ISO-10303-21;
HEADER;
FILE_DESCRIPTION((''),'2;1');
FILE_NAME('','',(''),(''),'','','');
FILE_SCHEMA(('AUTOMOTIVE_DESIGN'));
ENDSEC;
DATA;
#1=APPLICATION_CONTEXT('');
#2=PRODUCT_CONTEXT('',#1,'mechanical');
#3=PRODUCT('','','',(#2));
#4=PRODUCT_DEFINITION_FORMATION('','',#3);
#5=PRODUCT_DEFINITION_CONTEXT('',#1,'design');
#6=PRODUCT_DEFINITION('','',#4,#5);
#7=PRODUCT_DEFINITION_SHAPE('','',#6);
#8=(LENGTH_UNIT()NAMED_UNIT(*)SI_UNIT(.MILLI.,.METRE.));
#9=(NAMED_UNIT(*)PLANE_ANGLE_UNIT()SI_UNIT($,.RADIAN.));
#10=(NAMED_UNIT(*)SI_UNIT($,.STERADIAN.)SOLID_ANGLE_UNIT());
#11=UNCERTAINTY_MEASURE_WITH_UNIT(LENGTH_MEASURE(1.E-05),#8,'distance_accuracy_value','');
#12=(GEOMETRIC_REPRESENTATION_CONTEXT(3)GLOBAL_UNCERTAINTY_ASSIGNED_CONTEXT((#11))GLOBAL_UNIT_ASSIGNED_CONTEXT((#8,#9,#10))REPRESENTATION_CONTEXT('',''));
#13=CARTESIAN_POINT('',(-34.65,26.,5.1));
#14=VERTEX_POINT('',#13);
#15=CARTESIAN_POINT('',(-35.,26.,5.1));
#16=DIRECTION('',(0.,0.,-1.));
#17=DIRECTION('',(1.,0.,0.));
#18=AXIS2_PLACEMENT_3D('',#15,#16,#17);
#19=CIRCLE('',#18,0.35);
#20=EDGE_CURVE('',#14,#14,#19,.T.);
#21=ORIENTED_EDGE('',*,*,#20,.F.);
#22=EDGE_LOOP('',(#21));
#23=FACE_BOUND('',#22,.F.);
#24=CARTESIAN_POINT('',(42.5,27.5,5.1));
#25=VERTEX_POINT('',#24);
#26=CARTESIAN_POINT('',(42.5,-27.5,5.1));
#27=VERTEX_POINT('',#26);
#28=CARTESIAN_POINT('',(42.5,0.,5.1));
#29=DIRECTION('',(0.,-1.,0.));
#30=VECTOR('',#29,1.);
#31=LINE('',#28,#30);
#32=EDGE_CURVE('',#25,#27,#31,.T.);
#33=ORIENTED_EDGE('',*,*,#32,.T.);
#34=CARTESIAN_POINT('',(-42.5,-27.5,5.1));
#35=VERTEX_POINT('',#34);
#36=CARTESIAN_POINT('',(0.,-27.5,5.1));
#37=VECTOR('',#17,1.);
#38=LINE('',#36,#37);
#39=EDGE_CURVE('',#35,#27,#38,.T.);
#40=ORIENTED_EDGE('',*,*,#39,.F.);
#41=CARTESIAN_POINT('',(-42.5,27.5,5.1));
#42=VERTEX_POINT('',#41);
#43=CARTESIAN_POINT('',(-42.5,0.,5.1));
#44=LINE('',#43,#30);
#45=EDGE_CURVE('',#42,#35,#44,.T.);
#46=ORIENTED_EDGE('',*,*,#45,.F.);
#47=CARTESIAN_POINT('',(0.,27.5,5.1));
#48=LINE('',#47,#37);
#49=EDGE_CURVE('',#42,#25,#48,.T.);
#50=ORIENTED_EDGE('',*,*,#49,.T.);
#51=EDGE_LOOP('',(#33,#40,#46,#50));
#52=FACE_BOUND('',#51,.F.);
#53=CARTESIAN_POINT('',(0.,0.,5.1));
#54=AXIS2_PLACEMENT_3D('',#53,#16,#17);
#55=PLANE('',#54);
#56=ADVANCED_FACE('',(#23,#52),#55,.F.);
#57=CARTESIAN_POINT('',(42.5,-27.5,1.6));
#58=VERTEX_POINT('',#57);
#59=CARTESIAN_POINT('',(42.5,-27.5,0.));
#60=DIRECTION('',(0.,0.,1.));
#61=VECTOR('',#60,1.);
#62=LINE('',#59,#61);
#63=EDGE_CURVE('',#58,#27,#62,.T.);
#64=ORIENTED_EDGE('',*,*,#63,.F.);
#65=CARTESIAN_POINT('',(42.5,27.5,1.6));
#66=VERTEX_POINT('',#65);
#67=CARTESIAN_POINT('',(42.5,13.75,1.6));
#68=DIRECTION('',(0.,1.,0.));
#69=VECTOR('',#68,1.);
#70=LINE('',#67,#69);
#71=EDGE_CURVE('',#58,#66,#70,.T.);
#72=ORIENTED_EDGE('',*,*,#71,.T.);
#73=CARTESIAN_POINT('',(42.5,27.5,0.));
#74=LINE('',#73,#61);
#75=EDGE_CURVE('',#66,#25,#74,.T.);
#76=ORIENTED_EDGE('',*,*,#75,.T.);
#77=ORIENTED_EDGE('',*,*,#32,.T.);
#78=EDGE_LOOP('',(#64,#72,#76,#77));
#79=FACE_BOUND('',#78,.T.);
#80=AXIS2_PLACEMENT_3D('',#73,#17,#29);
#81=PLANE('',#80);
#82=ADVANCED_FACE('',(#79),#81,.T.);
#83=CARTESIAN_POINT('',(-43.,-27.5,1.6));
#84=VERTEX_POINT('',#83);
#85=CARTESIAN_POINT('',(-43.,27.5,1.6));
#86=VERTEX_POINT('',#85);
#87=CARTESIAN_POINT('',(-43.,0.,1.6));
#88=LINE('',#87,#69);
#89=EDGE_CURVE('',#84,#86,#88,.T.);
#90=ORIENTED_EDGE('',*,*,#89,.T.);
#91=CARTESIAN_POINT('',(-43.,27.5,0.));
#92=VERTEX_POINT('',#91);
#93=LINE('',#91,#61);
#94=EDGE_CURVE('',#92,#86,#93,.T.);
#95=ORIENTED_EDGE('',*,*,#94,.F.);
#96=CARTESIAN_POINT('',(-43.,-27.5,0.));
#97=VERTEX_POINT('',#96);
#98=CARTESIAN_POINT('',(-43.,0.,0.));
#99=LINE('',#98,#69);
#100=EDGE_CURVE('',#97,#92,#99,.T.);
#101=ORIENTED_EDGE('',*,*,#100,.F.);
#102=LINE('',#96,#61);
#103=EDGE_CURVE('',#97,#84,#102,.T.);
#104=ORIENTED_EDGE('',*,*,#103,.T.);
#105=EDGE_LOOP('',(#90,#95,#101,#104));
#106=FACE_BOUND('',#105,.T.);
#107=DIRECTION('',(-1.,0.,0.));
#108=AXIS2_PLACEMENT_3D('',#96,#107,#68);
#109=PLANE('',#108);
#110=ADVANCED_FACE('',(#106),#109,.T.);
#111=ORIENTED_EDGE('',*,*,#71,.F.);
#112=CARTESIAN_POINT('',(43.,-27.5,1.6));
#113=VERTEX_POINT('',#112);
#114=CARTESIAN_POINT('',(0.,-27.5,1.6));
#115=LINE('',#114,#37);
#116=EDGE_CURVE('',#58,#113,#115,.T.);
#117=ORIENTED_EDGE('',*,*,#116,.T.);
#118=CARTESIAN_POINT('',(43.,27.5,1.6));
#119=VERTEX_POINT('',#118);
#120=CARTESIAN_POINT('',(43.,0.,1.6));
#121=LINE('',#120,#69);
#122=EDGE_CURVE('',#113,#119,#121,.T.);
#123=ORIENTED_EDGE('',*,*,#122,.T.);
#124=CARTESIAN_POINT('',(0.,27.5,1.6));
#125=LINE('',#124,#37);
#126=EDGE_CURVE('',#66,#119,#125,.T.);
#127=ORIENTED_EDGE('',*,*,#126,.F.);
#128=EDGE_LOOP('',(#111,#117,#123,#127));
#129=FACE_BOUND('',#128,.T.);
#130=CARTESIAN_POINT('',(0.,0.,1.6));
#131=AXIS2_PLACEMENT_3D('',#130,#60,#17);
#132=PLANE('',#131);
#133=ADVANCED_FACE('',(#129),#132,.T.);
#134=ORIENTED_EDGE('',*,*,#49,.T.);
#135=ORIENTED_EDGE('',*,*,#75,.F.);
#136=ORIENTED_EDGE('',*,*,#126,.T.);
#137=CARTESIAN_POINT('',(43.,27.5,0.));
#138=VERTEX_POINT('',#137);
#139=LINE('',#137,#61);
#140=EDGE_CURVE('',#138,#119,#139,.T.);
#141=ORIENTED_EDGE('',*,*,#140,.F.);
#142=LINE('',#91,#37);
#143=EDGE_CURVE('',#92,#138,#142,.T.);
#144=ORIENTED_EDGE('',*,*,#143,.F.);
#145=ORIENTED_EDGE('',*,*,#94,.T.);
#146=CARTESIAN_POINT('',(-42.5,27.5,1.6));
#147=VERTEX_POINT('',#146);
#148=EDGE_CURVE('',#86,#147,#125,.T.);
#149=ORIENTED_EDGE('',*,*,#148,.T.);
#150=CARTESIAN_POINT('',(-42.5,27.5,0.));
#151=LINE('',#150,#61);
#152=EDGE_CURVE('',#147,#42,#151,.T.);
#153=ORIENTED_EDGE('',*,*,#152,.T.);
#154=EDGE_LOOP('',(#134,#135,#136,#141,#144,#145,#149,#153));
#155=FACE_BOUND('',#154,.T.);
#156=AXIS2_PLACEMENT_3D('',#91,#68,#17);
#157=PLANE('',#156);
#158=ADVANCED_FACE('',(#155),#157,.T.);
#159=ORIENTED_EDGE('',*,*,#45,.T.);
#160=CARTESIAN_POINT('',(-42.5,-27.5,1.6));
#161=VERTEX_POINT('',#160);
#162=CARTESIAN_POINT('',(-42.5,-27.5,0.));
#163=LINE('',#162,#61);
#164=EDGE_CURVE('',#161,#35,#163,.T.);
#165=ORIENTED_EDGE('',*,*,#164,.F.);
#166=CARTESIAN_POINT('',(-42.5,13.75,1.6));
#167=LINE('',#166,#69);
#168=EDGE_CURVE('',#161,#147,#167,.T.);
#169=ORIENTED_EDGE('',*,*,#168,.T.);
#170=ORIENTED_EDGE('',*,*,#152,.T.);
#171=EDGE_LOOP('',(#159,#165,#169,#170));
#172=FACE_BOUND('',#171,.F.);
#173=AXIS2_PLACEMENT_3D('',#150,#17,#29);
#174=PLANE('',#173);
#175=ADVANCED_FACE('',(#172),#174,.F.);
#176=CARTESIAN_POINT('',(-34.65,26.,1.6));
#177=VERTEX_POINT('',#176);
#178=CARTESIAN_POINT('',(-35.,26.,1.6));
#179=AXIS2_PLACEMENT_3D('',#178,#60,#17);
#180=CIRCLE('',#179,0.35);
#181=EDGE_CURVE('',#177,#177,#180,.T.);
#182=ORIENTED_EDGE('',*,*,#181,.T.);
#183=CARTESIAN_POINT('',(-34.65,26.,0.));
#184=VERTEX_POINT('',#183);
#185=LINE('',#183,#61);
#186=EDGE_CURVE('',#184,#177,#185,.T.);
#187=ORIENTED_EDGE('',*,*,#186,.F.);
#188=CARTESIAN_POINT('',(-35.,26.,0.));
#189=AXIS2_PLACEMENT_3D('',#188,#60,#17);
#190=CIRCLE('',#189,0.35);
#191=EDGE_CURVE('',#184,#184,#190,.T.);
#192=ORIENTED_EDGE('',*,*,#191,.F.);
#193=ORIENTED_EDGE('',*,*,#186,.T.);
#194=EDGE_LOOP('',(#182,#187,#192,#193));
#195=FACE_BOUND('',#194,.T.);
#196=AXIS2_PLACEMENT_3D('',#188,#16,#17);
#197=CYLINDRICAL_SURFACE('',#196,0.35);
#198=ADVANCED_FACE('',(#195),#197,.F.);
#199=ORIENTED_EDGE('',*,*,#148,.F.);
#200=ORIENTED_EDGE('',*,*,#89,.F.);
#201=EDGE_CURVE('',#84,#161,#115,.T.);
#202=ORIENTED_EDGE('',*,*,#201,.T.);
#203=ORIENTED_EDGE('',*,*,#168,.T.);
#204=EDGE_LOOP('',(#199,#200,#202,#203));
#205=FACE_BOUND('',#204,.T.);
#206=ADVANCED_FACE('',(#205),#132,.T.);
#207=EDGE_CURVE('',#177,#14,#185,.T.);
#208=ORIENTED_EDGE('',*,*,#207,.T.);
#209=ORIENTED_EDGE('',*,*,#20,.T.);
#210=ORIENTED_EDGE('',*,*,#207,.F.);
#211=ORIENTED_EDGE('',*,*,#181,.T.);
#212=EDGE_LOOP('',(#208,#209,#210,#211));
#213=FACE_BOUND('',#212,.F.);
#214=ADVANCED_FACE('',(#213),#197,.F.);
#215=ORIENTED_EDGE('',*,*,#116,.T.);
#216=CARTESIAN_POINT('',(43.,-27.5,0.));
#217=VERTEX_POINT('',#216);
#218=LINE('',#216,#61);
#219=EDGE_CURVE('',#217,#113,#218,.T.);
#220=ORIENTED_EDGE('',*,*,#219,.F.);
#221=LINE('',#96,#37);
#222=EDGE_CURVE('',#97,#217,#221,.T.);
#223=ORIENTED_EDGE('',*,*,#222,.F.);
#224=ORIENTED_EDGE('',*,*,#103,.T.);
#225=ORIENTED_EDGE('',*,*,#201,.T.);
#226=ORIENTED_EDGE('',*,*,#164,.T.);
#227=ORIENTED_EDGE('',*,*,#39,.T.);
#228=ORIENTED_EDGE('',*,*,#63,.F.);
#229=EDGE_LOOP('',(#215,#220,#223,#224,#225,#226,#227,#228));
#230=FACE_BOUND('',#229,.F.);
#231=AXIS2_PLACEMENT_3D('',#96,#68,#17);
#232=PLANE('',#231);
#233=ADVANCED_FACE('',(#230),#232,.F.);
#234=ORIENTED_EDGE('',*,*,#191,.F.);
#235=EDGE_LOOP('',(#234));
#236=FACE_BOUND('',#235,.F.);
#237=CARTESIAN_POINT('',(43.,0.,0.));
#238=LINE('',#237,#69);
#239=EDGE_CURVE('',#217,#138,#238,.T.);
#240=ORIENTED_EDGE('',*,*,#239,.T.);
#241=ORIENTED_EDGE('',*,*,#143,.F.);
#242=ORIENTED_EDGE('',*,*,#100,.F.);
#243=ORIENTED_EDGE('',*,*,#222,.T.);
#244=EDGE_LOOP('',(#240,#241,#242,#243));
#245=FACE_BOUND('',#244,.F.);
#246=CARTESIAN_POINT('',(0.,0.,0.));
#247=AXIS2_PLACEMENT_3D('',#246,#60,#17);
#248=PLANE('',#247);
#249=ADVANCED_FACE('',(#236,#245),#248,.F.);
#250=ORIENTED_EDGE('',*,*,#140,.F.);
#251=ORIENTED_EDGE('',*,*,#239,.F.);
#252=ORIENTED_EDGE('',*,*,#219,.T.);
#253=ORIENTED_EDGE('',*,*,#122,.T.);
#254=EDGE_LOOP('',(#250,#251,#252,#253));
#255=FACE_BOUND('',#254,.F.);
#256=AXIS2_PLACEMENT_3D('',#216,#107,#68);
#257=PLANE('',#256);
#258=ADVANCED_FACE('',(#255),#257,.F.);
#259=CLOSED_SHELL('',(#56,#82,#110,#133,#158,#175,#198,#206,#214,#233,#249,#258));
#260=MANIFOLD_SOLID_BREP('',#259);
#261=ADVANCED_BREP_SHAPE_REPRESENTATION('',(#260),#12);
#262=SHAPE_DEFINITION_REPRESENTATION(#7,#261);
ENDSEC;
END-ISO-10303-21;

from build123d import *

# Parameters (mm, degrees)
F0_W     = 86
F0_H     = 55
F0_R     = 0.35
F1_DEPTH = 1.6
F2_W     = 85
F2_H     = 55
F2_R     = 0.35
F3_DEPTH = 5.1


with BuildPart() as f1:
    # F0 (on Top) → F1 (new body)
    with BuildSketch(Plane.XY):
        Rectangle(F0_W, F0_H)
        with Locations((-35, 26)):
            Circle(F0_R, mode=Mode.SUBTRACT)
    extrude(amount=F1_DEPTH)

    # F2 (on face) → F3 (join)
    with BuildSketch(Plane(origin=(0, 0, 0), x_dir=(1, 0, 0), z_dir=(0, 0, -1))):
        Rectangle(F2_W, F2_H)
        with Locations((-35, -26)):
            Circle(F2_R, mode=Mode.SUBTRACT)
    extrude(amount=-F3_DEPTH)


solid = f1.part
